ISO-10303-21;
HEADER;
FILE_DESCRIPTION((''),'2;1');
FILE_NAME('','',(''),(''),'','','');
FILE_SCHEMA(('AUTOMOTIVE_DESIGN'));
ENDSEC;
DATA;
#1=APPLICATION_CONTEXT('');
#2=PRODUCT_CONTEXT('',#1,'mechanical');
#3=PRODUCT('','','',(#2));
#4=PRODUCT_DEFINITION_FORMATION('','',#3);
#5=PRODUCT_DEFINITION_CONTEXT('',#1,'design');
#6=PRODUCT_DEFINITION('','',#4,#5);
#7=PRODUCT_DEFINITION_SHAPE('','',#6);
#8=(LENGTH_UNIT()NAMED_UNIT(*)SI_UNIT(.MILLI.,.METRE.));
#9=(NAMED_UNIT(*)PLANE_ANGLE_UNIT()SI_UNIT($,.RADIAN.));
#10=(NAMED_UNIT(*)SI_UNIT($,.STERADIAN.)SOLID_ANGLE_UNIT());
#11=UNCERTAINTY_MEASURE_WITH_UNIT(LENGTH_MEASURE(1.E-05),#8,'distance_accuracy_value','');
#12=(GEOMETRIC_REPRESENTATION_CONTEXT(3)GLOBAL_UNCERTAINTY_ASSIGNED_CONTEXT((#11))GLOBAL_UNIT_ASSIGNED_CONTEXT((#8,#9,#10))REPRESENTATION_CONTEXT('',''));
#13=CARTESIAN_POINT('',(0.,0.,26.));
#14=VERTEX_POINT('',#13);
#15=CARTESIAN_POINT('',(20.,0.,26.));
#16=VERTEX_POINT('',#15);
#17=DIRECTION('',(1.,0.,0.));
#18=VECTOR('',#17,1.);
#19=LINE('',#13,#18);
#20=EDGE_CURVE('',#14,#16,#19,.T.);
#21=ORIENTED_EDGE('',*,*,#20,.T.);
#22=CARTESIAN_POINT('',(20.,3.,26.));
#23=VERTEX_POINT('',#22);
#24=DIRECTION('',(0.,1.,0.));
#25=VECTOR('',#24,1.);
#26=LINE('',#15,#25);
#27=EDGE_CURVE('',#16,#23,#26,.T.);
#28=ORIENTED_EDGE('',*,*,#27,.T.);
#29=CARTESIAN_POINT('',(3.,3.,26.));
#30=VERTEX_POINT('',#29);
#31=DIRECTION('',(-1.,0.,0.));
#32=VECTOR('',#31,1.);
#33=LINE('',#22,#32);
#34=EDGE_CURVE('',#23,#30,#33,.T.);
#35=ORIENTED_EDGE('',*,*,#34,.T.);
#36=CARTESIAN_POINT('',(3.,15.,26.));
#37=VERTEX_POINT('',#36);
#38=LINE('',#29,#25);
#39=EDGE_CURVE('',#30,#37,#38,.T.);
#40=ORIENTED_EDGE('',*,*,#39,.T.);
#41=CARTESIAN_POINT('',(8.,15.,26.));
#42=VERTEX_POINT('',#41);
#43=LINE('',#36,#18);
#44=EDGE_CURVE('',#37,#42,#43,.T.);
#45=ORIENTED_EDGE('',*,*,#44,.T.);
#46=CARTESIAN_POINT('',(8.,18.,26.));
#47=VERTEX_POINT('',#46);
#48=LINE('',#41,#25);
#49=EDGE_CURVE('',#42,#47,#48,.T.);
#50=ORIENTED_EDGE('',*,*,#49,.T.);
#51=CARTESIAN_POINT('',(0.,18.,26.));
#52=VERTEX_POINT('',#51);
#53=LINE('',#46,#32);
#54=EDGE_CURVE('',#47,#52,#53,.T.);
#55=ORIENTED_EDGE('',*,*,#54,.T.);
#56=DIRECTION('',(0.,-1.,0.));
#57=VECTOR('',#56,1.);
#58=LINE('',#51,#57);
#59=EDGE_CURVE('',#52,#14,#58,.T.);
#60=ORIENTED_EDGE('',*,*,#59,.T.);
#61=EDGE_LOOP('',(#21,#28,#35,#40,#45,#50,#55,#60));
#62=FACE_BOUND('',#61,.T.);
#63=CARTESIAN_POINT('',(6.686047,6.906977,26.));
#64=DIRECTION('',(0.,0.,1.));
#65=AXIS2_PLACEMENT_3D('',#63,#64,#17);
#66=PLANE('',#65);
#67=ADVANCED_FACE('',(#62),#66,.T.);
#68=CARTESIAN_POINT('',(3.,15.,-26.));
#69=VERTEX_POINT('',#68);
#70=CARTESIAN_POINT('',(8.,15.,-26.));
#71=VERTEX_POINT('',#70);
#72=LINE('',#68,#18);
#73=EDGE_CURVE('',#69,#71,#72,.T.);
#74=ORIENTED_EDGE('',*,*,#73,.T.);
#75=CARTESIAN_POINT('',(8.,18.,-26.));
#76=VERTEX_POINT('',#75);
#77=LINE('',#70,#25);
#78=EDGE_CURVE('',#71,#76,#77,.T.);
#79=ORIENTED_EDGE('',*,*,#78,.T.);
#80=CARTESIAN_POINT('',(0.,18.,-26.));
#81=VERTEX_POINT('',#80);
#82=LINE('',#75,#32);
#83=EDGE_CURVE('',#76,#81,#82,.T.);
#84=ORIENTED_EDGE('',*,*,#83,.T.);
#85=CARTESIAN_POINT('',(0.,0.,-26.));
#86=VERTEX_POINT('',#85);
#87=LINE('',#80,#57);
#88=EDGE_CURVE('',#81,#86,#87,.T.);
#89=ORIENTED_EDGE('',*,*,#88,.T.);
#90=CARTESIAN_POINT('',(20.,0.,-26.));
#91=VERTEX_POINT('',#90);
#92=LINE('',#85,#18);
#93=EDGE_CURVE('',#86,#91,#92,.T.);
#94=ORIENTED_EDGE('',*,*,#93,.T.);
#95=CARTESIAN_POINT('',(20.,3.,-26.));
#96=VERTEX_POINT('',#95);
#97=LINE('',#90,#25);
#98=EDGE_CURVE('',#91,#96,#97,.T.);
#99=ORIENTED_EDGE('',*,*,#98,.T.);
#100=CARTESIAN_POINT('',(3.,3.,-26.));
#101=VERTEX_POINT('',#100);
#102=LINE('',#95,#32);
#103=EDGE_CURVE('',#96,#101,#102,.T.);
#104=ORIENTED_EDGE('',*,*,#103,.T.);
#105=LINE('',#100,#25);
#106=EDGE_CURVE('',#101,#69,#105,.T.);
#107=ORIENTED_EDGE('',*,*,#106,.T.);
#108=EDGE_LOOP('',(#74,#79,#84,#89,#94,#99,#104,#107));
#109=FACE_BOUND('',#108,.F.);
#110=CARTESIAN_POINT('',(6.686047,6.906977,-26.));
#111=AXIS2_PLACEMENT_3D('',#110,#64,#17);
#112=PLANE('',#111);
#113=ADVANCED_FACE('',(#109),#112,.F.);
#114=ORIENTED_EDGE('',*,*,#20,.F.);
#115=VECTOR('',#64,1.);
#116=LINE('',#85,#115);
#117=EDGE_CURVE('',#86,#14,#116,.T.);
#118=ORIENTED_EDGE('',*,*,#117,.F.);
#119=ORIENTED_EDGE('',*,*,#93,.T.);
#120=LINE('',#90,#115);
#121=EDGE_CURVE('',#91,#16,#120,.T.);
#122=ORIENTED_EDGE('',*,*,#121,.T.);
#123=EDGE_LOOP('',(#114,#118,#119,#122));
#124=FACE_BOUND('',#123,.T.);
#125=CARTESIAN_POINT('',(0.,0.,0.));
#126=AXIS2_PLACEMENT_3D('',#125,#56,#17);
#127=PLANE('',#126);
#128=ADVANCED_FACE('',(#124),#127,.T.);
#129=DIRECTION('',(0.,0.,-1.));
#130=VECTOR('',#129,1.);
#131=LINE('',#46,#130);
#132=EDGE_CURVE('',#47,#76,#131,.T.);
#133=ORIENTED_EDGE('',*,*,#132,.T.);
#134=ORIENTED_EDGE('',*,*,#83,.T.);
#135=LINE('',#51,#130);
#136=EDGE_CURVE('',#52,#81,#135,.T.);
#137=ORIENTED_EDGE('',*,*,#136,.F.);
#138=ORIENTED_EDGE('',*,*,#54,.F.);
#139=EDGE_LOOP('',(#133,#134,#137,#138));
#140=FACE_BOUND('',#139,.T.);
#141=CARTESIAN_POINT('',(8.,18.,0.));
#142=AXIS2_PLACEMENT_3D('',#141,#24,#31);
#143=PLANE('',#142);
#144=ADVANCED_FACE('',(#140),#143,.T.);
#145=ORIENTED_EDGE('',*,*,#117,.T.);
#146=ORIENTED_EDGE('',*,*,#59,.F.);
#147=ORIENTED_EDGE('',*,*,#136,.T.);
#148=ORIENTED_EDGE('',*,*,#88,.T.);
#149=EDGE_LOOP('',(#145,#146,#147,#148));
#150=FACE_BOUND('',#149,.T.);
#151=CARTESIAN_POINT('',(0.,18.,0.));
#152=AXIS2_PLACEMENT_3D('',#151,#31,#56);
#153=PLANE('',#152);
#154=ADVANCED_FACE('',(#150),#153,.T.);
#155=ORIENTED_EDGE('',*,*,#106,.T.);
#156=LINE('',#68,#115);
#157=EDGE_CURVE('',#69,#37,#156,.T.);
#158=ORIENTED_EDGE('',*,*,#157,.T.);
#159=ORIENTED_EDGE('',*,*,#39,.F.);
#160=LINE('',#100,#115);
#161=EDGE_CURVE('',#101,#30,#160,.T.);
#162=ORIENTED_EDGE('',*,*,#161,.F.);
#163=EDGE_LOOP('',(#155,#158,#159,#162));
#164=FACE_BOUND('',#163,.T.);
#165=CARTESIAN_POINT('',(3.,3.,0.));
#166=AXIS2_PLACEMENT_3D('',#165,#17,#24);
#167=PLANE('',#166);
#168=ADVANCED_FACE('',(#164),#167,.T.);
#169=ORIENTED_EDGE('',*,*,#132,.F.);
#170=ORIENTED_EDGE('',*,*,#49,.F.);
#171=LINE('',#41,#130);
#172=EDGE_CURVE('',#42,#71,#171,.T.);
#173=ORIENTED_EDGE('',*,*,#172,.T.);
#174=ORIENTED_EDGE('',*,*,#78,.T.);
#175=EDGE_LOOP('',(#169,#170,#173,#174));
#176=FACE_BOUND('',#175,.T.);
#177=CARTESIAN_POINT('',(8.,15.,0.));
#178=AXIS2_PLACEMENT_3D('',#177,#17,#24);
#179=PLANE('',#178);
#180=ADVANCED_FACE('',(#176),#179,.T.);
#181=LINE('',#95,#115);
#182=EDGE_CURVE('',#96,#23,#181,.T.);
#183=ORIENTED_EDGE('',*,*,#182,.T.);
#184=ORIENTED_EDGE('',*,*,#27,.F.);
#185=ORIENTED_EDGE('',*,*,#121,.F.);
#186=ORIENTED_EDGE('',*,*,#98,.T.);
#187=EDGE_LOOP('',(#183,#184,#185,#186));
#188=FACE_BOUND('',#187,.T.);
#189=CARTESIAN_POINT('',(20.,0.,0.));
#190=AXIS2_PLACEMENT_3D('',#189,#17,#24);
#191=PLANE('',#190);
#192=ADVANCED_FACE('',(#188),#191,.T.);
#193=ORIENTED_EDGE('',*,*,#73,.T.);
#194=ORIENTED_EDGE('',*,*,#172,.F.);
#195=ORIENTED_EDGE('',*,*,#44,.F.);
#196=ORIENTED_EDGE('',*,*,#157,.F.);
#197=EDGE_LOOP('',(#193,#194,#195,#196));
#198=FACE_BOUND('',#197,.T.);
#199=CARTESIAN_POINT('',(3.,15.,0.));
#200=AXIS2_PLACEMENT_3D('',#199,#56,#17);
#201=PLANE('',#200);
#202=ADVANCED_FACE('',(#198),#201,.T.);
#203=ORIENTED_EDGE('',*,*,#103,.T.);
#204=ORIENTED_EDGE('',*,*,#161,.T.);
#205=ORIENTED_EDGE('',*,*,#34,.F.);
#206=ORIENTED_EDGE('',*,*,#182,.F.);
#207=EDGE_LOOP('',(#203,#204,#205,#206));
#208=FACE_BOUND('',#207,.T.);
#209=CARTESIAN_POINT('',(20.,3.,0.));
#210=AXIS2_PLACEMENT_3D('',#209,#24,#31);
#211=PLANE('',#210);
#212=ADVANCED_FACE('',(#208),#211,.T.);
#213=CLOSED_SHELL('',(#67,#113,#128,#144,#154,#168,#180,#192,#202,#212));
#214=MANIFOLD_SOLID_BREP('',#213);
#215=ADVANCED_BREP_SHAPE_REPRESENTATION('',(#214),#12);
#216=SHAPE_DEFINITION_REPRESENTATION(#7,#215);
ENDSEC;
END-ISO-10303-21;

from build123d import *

# Parameters (mm, degrees)
F1_DEPTH = 26


with BuildPart() as f1:
    # F0 (on Top) → F1 (new body, symmetric)
    with BuildSketch(Plane.XY):
        Polygon((0, 18), (0, 0), (20, 0), (20, 3), (3, 3), (3, 15), (8, 15), (8, 18), align=None)
    extrude(amount=F1_DEPTH, both=True)


solid = f1.part
